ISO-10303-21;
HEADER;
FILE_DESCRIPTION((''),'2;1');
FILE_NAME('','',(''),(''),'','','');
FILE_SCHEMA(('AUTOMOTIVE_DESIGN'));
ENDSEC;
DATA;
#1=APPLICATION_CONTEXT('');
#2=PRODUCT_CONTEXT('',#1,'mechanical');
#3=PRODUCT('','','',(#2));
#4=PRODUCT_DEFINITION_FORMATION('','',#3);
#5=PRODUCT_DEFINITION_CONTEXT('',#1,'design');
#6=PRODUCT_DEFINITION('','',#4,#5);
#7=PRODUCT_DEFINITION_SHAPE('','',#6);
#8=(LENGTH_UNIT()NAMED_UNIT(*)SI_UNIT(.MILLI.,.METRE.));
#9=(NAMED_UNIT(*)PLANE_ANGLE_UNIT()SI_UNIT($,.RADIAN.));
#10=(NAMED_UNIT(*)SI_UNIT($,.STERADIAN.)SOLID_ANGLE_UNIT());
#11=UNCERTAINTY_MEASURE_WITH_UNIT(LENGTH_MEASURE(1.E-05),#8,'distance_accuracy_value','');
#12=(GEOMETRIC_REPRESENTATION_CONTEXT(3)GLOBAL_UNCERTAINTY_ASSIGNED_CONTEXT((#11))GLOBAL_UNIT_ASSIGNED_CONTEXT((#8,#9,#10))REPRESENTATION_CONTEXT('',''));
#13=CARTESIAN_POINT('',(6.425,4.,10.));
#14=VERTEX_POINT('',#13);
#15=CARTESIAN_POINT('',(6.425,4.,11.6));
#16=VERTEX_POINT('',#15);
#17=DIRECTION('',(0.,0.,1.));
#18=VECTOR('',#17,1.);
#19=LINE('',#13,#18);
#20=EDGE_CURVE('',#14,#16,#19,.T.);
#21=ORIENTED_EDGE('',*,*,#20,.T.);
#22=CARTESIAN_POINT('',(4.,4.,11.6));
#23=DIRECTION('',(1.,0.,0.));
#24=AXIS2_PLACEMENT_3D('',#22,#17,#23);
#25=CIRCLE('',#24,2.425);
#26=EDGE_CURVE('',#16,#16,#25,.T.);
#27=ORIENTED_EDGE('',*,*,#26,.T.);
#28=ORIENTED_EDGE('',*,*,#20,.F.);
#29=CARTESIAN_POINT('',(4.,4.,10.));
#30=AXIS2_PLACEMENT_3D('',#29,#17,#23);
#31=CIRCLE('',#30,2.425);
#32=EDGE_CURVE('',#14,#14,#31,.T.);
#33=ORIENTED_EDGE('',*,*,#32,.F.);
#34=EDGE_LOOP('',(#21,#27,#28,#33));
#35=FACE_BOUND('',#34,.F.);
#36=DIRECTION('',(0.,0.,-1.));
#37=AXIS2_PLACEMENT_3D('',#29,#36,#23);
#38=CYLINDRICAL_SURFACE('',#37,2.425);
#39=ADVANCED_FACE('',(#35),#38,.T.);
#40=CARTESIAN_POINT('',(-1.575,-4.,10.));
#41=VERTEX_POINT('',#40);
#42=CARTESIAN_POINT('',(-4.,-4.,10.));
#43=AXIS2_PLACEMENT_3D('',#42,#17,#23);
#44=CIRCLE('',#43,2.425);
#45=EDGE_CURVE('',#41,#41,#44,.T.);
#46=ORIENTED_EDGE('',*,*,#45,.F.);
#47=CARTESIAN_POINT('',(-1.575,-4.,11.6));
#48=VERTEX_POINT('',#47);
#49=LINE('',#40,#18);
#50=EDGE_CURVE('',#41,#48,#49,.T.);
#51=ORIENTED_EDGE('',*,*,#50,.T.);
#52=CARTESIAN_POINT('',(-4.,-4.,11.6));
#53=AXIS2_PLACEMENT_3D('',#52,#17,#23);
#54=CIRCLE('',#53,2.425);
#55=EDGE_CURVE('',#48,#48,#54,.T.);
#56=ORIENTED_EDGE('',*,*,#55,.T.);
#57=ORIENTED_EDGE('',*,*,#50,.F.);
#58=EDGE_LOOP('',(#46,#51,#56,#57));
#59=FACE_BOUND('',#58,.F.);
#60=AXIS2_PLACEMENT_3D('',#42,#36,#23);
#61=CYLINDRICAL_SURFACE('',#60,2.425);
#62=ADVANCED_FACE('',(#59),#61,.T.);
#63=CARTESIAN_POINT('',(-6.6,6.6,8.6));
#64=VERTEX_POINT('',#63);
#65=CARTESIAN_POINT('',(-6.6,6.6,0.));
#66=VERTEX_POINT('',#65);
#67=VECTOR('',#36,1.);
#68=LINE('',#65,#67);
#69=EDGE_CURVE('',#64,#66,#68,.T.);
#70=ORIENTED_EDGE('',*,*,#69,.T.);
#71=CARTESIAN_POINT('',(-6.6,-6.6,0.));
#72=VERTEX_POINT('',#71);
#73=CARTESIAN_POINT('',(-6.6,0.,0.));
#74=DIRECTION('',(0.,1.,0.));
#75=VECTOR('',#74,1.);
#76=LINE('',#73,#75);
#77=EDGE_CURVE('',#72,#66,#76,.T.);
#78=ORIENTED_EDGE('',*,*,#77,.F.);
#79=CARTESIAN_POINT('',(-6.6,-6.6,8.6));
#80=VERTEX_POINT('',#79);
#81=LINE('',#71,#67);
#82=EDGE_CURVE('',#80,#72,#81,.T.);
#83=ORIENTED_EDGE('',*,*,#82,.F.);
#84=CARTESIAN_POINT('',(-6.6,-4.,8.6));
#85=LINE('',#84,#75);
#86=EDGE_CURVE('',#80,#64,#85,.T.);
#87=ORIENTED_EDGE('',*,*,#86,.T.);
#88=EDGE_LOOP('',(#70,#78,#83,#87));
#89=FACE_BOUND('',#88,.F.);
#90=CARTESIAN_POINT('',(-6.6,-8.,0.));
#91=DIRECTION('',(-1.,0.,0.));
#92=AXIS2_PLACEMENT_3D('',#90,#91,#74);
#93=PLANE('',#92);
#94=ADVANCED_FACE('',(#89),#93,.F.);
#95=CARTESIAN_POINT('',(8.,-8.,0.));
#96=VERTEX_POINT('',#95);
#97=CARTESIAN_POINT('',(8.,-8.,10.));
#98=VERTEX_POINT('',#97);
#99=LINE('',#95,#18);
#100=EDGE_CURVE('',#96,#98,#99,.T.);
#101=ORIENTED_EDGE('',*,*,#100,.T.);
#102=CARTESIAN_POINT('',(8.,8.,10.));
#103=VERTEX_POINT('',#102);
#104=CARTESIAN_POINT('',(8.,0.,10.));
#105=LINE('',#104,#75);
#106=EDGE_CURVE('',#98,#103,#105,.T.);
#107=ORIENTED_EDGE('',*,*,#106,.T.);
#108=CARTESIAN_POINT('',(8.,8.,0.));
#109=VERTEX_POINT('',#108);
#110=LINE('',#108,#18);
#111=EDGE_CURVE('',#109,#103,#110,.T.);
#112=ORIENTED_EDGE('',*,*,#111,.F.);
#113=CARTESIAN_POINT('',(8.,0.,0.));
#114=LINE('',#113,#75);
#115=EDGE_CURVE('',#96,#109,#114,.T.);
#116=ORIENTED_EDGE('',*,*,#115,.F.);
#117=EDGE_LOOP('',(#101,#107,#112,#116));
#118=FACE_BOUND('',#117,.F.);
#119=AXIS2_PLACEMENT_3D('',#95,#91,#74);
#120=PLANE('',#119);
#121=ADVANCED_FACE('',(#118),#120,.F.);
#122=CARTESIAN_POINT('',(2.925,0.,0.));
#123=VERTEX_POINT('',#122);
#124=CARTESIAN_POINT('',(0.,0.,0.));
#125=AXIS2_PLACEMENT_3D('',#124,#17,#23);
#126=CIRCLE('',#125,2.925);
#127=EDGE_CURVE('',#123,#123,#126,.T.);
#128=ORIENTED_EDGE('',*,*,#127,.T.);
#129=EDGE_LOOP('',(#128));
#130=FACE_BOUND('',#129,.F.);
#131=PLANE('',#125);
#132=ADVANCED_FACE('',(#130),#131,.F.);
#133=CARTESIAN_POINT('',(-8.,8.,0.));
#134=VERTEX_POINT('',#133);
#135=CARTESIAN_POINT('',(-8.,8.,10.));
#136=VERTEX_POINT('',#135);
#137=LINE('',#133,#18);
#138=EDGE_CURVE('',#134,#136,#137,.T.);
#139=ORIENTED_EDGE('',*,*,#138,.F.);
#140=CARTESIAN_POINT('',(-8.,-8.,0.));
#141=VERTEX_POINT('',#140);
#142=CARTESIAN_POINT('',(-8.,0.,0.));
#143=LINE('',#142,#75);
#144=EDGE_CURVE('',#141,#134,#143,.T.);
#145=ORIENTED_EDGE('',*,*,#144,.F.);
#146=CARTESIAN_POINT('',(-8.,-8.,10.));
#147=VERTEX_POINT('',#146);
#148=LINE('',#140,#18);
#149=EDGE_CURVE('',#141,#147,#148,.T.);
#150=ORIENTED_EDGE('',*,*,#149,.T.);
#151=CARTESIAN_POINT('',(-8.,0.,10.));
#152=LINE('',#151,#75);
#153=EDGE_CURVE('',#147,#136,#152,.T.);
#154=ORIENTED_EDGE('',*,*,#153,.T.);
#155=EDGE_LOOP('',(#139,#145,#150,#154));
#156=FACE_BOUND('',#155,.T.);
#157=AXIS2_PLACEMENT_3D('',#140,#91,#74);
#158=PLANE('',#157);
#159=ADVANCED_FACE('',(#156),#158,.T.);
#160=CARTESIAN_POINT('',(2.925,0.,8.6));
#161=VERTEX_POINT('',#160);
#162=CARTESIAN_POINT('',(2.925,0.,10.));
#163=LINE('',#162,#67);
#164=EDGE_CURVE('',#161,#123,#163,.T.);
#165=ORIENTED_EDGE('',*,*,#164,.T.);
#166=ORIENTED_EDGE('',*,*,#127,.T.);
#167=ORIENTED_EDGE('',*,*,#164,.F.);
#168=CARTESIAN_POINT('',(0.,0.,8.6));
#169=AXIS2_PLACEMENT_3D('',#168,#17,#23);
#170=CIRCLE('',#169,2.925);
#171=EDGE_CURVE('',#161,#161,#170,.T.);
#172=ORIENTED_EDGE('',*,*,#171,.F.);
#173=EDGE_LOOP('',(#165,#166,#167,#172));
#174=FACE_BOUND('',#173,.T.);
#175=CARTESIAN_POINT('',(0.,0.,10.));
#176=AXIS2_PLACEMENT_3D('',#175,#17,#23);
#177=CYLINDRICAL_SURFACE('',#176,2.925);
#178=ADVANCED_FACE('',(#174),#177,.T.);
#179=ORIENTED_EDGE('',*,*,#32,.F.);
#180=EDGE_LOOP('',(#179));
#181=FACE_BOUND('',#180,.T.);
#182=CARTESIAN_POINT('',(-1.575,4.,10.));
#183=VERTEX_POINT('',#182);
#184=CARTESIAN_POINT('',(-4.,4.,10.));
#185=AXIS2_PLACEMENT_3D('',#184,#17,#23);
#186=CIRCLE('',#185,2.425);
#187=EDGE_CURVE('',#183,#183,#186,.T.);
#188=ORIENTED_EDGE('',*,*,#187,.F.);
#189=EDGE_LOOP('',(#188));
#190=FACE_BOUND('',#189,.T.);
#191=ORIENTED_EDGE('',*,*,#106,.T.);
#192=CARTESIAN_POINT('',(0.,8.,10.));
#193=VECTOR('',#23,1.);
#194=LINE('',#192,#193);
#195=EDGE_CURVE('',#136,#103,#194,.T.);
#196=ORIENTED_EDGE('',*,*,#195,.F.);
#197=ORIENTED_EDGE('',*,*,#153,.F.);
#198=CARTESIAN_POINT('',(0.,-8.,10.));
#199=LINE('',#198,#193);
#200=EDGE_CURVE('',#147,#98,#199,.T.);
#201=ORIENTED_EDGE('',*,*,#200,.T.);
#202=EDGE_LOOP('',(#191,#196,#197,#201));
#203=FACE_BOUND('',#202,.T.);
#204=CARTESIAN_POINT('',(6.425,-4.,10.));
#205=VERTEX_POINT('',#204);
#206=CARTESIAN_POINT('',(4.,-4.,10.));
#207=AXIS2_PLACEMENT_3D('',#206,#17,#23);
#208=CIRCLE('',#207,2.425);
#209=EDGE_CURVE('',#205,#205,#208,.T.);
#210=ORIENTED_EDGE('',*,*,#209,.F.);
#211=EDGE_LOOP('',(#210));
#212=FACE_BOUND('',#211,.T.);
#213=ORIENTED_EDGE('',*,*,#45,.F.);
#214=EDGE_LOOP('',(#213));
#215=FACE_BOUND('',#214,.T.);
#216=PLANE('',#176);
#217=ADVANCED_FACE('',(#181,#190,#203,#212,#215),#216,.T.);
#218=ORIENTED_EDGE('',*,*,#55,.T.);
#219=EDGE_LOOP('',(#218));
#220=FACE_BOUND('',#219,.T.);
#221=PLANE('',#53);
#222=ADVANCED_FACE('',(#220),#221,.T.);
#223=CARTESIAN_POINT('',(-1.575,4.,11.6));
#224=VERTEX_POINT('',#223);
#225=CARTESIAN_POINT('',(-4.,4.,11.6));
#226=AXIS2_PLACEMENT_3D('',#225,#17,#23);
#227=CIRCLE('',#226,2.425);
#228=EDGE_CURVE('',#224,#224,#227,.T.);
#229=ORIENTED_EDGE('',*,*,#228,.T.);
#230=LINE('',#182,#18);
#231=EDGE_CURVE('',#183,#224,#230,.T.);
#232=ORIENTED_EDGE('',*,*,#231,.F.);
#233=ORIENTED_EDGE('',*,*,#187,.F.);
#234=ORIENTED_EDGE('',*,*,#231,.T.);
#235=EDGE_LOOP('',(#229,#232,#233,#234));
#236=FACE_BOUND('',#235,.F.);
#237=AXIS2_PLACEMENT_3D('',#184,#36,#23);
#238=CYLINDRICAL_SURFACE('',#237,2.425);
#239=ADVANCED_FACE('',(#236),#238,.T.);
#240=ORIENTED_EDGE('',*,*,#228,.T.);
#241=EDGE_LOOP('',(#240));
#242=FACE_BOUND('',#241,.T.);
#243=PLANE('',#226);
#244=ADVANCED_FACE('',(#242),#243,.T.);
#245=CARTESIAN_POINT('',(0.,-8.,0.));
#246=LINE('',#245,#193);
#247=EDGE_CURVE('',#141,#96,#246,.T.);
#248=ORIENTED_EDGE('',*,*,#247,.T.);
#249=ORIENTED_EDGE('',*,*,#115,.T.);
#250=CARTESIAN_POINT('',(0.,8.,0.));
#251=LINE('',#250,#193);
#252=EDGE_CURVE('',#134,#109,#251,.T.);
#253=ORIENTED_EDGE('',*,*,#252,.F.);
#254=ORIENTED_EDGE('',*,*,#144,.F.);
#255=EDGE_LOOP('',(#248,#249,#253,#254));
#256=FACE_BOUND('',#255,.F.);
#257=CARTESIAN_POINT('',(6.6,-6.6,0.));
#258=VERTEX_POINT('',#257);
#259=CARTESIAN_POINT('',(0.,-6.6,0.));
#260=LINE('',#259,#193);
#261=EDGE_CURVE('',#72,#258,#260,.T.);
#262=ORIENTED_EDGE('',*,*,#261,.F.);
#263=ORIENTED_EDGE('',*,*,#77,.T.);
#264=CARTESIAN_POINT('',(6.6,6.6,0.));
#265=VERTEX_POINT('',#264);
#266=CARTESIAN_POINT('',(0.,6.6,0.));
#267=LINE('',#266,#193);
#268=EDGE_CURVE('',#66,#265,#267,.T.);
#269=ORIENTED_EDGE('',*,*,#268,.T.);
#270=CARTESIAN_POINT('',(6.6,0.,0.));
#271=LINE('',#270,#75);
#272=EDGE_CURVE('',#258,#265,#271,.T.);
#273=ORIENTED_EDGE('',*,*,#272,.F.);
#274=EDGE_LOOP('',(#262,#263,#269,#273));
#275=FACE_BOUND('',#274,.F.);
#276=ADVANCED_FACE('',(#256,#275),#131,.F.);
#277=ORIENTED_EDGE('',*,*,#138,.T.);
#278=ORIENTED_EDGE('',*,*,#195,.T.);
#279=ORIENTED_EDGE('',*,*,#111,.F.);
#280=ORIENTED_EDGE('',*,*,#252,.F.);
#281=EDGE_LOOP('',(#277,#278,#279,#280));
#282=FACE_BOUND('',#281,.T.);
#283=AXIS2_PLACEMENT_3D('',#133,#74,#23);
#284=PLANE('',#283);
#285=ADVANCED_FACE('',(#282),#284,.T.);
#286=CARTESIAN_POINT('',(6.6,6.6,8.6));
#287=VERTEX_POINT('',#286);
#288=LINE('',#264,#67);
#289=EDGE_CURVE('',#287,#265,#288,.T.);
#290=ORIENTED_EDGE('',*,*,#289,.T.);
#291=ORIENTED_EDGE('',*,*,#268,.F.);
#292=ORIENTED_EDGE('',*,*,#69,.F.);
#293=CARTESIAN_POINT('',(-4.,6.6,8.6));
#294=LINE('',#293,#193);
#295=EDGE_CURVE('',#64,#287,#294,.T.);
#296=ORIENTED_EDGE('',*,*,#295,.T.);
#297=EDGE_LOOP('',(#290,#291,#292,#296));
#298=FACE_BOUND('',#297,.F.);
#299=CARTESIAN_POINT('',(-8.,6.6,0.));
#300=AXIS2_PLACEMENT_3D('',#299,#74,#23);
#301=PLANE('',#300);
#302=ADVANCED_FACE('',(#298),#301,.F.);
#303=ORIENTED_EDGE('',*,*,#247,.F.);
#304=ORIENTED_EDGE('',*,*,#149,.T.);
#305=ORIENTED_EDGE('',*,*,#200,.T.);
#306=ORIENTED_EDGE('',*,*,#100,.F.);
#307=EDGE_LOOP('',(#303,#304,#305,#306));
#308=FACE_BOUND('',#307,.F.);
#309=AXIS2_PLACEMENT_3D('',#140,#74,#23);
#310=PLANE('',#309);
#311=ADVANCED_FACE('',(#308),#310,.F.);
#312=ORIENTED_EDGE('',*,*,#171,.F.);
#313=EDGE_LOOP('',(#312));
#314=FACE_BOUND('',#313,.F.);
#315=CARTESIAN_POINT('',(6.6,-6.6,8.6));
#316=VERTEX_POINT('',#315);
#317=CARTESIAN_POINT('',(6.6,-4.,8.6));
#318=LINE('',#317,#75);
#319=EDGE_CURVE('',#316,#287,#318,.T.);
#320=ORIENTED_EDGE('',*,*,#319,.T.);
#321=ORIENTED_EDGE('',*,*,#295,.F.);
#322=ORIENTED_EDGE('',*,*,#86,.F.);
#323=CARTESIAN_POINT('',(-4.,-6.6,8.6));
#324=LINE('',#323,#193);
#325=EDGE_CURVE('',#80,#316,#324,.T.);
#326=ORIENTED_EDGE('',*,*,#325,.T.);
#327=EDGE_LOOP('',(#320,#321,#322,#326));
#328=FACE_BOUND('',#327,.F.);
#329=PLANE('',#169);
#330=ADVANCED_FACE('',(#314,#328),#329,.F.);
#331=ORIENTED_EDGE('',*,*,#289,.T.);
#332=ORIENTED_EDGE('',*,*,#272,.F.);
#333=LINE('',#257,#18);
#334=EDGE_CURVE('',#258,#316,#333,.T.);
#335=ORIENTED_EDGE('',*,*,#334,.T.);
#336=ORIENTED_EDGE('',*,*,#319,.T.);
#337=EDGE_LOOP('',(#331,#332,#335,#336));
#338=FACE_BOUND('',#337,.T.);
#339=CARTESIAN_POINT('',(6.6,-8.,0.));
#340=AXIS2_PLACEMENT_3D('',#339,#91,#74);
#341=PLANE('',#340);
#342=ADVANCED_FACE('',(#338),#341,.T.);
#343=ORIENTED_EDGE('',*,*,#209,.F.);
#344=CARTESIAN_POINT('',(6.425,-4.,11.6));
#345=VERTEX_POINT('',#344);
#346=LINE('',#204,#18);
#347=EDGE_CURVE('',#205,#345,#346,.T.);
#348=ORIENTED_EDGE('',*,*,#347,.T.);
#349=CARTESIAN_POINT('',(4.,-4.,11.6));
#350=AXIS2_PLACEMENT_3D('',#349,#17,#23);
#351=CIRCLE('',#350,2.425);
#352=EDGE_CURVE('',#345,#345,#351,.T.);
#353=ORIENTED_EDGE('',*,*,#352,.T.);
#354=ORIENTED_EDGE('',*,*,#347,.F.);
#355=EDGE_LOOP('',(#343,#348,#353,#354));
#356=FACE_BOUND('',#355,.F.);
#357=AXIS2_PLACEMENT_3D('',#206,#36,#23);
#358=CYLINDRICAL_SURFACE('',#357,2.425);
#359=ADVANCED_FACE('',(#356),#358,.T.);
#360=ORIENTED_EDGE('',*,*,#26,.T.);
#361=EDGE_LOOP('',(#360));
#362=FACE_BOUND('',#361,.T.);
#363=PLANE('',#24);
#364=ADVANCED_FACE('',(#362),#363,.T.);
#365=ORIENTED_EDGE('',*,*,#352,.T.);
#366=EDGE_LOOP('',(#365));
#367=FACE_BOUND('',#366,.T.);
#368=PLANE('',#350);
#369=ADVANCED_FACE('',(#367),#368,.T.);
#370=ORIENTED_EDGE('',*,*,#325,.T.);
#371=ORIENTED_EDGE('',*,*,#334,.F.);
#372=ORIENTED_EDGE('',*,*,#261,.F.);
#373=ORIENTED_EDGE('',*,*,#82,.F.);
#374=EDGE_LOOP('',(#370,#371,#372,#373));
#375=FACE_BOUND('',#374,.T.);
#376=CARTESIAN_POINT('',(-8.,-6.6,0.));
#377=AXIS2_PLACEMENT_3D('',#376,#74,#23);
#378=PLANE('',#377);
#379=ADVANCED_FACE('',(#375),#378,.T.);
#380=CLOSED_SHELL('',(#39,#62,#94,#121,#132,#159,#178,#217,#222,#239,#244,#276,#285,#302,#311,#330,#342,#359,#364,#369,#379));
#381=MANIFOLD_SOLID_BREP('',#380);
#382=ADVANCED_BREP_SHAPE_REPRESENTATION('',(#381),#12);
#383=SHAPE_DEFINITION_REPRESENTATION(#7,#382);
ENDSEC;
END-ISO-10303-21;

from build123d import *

# Parameters (mm, degrees)
F0_W     = 16
F0_H     = 16
F1_DEPTH = 10
F2_T     = -1.4
F3_R     = 2.425
F4_DEPTH = 1.6
F5_R     = 2.925
F6_DEPTH = 10


with BuildPart() as f1:
    # F0 (on Top) → F1 (new body)
    with BuildSketch(Plane.XY):
        Rectangle(F0_W, F0_H)
    extrude(amount=F1_DEPTH)

    # F2
    f2_openings = [f1.faces().sort_by_distance(p)[0] for p in [
        (0, 0, 0),
    ]]
    offset(amount=F2_T, openings=f2_openings)

    # F3 (on face) → F4 (join)
    with BuildSketch(Plane.XY.offset(10)):
        with Locations((-4, -4)):
            Circle(F3_R)
        with Locations((-4, 4)):
            Circle(F3_R)
        with Locations((4, -4)):
            Circle(F3_R)
        with Locations((4, 4)):
            Circle(F3_R)
    extrude(amount=F4_DEPTH)

    # F5 (on face) → F6 (join)
    with BuildSketch(Plane.XY.offset(10)):
        Circle(F5_R)
    extrude(amount=-F6_DEPTH)


solid = f1.part
